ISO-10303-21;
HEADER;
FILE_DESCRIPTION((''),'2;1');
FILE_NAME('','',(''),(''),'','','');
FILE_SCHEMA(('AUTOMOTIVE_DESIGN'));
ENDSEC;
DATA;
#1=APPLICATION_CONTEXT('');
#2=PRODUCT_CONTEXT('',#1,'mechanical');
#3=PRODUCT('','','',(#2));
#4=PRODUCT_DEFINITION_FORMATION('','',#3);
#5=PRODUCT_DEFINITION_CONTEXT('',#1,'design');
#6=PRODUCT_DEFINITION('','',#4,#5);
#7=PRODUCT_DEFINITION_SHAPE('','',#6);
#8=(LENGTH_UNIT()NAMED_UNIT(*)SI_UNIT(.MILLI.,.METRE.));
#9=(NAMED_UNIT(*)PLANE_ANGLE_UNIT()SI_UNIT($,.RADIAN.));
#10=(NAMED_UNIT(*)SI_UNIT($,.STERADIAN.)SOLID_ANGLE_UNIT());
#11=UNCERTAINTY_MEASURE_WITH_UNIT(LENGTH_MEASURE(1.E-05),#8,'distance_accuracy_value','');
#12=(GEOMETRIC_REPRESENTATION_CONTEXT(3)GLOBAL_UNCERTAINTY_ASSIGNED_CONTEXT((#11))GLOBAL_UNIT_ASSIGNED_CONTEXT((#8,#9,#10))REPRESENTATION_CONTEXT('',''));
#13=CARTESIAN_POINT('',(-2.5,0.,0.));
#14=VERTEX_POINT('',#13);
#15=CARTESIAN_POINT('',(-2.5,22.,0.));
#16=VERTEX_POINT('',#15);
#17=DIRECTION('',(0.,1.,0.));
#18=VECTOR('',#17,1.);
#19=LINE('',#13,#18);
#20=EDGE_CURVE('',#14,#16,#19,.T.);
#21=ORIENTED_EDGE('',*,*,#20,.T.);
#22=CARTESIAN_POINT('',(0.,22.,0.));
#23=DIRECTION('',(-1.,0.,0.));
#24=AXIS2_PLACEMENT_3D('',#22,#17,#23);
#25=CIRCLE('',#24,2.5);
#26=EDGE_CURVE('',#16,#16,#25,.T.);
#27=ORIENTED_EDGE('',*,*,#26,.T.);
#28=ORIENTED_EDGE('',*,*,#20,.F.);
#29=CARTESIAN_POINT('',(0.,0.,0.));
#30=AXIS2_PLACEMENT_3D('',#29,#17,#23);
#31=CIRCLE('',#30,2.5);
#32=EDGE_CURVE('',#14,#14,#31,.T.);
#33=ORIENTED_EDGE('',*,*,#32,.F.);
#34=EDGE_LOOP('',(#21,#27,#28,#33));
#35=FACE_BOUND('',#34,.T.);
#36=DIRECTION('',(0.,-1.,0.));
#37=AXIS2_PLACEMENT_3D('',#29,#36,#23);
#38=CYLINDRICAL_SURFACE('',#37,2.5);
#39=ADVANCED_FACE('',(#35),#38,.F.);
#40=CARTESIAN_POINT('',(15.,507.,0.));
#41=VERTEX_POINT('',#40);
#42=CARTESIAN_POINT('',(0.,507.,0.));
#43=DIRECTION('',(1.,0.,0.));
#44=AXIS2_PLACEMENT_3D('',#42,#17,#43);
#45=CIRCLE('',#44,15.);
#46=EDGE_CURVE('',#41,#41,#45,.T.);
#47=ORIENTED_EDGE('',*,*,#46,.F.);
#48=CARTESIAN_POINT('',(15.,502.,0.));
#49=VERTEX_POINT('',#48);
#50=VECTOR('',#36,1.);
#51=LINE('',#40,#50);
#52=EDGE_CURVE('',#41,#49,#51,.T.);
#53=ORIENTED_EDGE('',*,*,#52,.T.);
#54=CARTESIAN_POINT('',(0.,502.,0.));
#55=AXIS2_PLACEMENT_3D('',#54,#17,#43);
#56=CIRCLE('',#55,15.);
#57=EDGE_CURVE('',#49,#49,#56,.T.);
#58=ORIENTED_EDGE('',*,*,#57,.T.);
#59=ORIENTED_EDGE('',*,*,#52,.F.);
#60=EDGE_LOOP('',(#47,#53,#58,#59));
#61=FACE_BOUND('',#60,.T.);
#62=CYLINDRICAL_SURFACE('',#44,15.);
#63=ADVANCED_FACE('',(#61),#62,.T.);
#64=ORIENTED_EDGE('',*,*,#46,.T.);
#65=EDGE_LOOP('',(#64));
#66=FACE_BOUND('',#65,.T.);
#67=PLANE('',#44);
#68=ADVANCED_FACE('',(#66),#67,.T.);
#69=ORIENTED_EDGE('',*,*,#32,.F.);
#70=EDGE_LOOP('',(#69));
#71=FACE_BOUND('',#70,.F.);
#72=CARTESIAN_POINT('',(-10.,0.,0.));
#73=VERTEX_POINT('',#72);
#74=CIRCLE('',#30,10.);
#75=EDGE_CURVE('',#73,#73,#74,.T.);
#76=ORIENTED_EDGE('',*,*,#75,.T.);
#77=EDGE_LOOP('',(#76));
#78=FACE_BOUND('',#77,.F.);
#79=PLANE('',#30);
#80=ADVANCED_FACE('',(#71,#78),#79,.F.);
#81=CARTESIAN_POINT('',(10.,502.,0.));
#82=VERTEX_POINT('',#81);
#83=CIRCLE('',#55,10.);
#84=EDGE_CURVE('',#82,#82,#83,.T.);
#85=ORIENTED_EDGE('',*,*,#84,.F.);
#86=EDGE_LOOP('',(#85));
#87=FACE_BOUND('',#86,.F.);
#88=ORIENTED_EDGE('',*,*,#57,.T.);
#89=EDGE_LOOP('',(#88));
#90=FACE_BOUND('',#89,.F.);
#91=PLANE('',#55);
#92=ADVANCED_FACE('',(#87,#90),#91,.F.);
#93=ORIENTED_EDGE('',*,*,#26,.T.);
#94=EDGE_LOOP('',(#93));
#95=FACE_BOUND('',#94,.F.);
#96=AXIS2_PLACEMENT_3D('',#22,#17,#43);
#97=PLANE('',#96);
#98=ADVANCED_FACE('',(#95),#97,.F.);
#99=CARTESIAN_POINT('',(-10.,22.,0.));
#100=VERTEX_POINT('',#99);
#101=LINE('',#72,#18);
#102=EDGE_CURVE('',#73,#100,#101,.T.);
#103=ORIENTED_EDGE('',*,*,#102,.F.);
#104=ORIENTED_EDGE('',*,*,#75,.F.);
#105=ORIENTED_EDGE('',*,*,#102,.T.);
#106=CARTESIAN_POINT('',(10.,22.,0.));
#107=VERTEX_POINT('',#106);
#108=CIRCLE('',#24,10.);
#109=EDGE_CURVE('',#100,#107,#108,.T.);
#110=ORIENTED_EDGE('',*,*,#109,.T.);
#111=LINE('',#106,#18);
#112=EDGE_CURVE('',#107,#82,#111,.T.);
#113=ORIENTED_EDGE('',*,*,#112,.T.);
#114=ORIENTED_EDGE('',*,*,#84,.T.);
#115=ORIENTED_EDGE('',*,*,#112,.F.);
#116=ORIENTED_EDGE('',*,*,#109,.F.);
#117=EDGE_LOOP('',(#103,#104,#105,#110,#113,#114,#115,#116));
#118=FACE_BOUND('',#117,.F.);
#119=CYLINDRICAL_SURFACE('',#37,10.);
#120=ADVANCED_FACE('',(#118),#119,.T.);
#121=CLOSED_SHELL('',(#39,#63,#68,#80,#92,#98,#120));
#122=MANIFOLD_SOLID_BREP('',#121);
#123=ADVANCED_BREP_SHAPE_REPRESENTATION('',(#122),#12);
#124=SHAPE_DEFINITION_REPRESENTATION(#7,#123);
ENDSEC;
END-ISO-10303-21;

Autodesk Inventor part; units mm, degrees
ref_plane "YZ Plane" through (0, 0, 0) normal (1, 0, 0) x (0, 1, 0)
ref_plane "XZ Plane" through (0, 0, 0) normal (0, 1, 0) x (-1, 0, 0)
ref_plane "XY Plane" through (0, 0, 0) normal (0, 0, 1) x (1, 0, 0)
sketch "Эскиз1" plane through (0, 0, 0) normal (0, 1, 0) x (-1, 0, 0)
  circle A0 centre (0, 0) radius 2.5
  circle A1 centre (0, 0) radius 10
  dimension "d0" = 5
  dimension "d1" = 20
extrude "Выдавливание1" add sketch "Эскиз1" along normal blind 22
sketch "Эскиз2" plane through (0, 22, 0) normal (0, 1, 0) x (1, 0, 0)
  circle A0 centre (0, 0) radius 10
extrude "Выдавливание2" add sketch "Эскиз2" along normal blind 485
thread "Резьба1" size "M20x2.5" class "6g" standard "ANSI Metric M Profile" full length
chamfer "Фаска1" distance 2 angle 45 1 edges at (-10, 507, 0)
sketch "Эскиз3" plane through (0, 507, 0) normal (0, 1, 0) x (1, 0, 0)
  circle A0 centre (0, 0) radius 2.5 projected
  circle A1 centre (0, 0) radius 15
  dimension "d11" = 30
extrude "Выдавливание3" add sketch "Эскиз3" against normal blind 5
properties part number "Резьбовой винт"
